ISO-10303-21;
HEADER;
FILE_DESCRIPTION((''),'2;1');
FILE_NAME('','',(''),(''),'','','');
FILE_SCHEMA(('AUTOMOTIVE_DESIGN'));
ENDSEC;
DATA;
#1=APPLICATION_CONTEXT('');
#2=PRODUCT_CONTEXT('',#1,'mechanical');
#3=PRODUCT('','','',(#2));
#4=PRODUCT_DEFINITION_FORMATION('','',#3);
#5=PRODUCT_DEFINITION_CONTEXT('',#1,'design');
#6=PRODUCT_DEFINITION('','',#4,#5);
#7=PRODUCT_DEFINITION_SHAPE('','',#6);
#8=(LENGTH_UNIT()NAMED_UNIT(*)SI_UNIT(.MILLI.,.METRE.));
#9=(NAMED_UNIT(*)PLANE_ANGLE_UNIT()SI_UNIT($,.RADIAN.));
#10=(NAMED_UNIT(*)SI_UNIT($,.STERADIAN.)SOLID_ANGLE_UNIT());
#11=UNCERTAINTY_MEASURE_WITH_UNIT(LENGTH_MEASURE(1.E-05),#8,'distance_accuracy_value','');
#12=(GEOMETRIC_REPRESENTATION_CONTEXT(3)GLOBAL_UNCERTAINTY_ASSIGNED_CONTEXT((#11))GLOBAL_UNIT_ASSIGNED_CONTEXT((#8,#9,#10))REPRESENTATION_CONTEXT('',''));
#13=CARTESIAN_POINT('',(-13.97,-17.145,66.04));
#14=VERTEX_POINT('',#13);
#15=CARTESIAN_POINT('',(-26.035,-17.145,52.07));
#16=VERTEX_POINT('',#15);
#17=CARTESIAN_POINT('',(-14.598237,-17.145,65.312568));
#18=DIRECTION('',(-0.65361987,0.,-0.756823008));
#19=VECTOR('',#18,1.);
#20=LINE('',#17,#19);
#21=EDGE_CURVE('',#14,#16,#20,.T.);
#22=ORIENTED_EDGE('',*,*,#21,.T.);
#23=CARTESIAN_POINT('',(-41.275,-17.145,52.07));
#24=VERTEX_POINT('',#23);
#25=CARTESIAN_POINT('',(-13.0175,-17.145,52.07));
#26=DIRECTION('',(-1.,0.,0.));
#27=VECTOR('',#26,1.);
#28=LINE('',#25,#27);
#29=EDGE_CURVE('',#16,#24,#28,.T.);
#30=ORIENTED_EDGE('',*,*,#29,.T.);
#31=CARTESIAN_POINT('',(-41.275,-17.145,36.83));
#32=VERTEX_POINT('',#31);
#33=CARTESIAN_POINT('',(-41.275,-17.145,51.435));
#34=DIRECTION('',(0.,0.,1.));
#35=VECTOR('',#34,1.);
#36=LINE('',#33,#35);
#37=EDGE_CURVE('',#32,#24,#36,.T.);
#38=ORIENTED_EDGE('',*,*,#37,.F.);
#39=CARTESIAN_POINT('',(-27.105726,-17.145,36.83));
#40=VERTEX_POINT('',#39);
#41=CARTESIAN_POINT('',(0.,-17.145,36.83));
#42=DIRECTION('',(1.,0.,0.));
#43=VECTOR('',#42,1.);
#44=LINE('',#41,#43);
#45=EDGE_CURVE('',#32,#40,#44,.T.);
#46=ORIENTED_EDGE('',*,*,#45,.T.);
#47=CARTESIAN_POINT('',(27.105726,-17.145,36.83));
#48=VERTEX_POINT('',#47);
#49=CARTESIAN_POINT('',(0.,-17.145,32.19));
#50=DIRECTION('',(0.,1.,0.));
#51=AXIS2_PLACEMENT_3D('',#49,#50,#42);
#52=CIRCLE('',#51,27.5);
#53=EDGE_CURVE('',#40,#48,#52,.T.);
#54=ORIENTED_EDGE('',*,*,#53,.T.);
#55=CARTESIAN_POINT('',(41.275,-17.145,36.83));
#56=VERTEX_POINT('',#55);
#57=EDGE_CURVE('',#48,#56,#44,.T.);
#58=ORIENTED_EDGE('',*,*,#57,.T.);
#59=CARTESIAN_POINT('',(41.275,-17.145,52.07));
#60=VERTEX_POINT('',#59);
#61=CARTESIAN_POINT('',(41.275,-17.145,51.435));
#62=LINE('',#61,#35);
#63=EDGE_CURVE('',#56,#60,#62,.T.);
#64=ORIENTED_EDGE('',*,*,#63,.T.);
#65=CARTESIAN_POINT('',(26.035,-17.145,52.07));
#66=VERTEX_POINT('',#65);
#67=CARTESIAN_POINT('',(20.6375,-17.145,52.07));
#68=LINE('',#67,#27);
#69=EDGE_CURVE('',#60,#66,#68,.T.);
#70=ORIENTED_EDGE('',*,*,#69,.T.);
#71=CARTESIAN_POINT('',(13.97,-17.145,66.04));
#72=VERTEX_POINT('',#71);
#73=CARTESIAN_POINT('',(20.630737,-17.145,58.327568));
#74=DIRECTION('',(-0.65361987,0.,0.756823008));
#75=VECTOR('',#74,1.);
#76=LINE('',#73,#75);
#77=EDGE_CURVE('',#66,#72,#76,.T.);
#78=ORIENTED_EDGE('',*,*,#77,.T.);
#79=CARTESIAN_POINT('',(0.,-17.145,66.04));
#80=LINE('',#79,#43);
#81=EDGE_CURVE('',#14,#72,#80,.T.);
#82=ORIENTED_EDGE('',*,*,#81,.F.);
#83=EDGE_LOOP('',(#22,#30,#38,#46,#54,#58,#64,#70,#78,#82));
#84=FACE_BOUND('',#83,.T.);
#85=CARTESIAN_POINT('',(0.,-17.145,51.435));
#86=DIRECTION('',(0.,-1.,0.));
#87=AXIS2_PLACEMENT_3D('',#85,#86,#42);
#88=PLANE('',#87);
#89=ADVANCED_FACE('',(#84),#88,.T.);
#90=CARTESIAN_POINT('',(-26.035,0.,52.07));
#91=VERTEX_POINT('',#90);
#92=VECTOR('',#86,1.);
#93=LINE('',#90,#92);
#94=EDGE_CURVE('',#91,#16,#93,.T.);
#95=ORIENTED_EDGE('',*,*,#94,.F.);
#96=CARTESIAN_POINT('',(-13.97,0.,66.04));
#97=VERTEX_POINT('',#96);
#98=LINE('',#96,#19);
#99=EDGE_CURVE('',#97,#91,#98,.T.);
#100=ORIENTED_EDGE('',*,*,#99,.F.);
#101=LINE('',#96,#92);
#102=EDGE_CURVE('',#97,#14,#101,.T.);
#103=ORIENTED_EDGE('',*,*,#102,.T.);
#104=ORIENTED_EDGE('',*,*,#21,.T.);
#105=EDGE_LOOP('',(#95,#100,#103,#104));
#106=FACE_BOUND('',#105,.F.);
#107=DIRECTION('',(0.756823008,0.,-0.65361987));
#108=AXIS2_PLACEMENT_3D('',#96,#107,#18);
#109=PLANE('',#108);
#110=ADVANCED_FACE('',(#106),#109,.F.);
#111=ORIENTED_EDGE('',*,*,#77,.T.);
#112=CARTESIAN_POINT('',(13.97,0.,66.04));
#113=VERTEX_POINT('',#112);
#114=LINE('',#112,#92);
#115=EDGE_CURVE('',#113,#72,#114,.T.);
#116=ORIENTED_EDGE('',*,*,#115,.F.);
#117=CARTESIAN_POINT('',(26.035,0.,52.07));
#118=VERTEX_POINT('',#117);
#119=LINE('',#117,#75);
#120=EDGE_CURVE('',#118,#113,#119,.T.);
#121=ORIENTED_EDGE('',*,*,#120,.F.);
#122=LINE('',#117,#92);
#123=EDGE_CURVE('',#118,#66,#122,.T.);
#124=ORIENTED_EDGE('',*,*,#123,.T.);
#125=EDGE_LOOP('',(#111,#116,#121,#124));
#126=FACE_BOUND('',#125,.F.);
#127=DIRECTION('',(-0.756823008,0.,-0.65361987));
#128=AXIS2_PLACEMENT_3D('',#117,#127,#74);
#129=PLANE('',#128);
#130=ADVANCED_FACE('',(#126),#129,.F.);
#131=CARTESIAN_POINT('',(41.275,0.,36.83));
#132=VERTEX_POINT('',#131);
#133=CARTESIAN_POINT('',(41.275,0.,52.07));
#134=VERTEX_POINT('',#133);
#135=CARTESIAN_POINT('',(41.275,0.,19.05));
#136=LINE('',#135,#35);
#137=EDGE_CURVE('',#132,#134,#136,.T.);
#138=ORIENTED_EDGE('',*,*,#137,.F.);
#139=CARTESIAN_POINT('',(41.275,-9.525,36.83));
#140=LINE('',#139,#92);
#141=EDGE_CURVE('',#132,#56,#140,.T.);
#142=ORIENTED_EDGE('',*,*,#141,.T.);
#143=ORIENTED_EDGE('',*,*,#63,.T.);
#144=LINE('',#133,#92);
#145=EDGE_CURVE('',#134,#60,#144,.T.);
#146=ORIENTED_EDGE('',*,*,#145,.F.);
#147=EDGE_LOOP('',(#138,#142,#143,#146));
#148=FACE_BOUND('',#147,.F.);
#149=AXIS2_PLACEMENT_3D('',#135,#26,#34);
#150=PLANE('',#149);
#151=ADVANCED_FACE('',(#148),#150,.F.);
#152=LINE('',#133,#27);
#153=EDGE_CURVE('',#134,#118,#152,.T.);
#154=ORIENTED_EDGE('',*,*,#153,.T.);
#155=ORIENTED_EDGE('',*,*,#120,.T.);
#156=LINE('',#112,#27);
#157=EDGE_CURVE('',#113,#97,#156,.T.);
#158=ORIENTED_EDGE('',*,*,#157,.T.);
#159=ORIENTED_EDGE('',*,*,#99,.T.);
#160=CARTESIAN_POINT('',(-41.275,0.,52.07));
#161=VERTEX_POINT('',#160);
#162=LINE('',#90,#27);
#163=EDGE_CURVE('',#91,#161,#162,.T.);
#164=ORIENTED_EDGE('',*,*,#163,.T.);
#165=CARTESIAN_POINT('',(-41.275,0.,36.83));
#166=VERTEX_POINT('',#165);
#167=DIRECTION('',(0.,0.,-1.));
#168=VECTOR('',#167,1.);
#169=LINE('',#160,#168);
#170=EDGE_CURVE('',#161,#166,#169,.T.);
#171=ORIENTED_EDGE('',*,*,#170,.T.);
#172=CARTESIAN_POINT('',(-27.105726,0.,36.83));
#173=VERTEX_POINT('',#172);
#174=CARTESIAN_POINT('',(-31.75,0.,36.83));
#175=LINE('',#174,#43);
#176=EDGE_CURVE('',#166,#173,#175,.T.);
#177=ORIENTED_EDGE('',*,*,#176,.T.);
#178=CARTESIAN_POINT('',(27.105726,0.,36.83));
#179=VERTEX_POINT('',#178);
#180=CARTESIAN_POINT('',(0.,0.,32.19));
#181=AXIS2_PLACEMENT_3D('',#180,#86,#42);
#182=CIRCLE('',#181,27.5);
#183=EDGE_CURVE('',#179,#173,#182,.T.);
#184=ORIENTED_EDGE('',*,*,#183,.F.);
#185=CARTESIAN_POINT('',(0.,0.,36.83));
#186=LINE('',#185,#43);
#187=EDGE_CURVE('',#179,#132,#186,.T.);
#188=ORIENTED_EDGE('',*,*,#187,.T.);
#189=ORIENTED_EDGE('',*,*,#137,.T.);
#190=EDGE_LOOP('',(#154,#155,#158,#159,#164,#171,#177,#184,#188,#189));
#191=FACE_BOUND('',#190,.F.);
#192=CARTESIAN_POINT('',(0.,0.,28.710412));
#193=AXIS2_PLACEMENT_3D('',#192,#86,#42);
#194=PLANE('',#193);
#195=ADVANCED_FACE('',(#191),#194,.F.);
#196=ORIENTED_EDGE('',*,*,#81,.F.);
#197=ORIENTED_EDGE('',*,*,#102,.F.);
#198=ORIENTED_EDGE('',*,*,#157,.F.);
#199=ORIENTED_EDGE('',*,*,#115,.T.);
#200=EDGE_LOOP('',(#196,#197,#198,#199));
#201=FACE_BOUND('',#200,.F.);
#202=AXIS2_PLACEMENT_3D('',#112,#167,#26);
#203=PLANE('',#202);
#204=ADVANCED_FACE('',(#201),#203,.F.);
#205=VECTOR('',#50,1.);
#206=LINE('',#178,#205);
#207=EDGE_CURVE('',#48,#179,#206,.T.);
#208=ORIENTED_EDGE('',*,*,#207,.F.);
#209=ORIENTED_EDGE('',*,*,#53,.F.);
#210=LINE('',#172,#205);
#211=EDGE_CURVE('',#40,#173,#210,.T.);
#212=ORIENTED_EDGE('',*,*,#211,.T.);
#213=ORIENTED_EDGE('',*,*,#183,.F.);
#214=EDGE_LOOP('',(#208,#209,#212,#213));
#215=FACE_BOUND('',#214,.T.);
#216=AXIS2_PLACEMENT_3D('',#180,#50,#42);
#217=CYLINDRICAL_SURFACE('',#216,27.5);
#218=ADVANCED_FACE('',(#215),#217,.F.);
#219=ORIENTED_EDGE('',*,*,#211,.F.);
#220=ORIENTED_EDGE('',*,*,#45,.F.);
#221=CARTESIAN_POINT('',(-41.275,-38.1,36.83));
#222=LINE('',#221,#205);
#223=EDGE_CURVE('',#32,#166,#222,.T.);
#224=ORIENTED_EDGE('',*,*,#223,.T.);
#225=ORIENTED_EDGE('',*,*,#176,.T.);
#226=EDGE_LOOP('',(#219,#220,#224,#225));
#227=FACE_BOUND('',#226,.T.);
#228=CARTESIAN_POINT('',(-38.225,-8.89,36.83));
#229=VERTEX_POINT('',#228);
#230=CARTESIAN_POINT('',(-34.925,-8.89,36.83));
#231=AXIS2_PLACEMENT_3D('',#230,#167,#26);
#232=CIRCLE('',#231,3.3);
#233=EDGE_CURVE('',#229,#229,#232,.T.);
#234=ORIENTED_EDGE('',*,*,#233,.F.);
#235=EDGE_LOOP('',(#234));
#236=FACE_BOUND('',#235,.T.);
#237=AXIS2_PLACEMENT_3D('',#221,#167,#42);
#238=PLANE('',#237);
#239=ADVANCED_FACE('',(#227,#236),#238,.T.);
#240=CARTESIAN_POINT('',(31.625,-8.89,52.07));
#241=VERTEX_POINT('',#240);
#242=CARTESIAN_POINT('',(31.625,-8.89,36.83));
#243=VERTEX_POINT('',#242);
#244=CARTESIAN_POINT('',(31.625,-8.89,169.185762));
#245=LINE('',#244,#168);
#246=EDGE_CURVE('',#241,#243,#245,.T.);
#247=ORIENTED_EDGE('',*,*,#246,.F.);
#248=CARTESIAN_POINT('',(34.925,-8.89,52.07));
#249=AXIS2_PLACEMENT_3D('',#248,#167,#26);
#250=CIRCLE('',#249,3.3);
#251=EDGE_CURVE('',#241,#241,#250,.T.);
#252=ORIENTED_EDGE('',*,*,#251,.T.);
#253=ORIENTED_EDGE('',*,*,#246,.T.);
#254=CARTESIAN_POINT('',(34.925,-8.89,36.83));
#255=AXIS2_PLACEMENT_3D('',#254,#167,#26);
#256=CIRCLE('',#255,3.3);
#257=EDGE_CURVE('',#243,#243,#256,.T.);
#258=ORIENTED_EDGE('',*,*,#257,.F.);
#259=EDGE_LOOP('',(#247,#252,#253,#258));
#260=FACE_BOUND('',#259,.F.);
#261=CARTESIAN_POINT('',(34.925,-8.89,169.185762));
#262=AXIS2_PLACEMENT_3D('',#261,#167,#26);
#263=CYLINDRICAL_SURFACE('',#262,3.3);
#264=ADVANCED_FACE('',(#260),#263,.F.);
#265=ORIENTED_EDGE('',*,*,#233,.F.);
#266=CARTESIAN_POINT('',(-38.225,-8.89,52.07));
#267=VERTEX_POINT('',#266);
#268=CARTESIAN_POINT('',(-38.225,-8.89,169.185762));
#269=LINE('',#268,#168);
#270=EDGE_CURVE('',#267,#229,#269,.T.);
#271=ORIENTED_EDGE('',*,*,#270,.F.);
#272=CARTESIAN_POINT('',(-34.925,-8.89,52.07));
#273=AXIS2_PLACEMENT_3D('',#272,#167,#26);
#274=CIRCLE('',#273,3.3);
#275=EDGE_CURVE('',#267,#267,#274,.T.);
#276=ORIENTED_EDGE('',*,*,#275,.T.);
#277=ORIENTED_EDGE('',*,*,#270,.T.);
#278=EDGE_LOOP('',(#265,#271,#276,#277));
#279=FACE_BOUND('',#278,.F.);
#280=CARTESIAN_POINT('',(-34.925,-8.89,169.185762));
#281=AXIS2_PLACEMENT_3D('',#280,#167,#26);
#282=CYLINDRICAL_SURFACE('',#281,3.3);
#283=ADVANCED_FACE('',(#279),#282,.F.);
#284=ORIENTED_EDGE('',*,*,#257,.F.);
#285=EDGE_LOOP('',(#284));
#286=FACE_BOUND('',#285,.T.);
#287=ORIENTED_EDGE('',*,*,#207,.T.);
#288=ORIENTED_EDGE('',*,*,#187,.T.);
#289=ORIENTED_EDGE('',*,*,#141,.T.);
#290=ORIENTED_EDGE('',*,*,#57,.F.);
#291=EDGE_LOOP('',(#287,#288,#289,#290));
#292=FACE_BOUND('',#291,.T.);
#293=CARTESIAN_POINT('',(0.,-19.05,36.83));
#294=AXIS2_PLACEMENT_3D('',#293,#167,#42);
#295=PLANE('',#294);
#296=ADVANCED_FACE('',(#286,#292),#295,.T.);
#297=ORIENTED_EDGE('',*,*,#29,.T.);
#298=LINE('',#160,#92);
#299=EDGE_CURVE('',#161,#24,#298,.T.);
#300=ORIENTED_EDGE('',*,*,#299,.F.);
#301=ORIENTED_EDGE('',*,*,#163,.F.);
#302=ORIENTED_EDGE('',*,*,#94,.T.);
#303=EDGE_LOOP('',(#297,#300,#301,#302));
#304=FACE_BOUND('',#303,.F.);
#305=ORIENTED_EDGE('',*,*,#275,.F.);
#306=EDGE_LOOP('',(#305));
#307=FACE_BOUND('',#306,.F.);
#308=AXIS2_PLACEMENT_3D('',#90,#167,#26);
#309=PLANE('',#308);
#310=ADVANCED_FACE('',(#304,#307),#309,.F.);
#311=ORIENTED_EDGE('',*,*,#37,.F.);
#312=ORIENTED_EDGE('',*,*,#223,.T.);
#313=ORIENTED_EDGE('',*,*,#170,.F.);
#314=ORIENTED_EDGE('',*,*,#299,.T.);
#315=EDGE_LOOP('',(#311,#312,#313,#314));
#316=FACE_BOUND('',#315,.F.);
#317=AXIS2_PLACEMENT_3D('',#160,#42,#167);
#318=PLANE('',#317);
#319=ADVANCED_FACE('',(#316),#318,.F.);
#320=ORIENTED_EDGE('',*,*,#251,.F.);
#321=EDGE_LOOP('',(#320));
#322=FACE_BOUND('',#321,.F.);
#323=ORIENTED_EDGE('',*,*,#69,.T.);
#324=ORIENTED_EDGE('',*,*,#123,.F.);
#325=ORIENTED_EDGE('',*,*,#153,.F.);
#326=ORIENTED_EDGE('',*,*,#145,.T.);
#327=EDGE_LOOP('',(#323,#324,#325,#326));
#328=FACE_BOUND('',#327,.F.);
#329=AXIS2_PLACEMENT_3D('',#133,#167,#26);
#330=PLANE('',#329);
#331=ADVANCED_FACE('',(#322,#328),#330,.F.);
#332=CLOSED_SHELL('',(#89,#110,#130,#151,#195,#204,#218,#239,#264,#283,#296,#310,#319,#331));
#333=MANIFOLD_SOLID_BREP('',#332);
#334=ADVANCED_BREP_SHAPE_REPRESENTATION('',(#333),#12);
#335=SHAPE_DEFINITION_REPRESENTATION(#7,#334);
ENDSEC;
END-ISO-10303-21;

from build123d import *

# Parameters (mm, degrees)
F0_R     = 27.5
F1_DEPTH = 38.1
F2_W     = 19.05
F2_H     = 5.08
F3_DEPTH = 38.1
F5_D     = 6.6
F6_W     = 88.9
F6_H     = 38.1
F7_DEPTH = 36.83
F8_W     = 82.55
F8_H     = 29.21
F9_DEPTH = 20.955


with BuildPart() as f1:
    # F0 (on Front) → F1 (new body)
    with BuildSketch(Plane.XZ):
        Polygon((-44.45, 0), (0, 0), (44.45, 0), (44.45, 17.78), (41.275, 19.05), (41.275, 52.07), (26.035, 52.07), (13.97, 66.04), (0, 66.04), (-13.97, 66.04), (-26.035, 52.07), (-41.275, 52.07), (-41.275, 19.05), (-44.45, 17.78), align=None)
        with Locations((0, 32.19)):
            Circle(F0_R, mode=Mode.SUBTRACT)
    extrude(amount=F1_DEPTH)

    # F2 (on face) → F3 (cut, through all)
    with BuildSketch(Plane.XZ.offset(38.1)):
        with Locations((-31.75, 34.29)):
            Rectangle(F2_W, F2_H)
    extrude(amount=-F3_DEPTH, mode=Mode.SUBTRACT)

    # F5 (through all)
    with Locations(Plane.XY.offset(52.07)):
        with Locations((-34.925, -8.89), (-34.925, -29.21), (34.925, -8.89), (34.925, -29.21)):
            Hole(F5_D / 2)

    # F6 (on face) → F7 (cut, through all)
    with BuildSketch(Plane(origin=(0, 0, 0), x_dir=(1, 0, 0), z_dir=(0, 0, -1))):
        with Locations((0, 19.05)):
            Rectangle(F6_W, F6_H)
    extrude(amount=-F7_DEPTH, mode=Mode.SUBTRACT)

    # F8 (on face) → F9 (cut)
    with BuildSketch(Plane.XZ.offset(38.1)):
        with Locations((0, 51.435)):
            Rectangle(F8_W, F8_H)
    extrude(amount=-F9_DEPTH, mode=Mode.SUBTRACT)


solid = f1.part
